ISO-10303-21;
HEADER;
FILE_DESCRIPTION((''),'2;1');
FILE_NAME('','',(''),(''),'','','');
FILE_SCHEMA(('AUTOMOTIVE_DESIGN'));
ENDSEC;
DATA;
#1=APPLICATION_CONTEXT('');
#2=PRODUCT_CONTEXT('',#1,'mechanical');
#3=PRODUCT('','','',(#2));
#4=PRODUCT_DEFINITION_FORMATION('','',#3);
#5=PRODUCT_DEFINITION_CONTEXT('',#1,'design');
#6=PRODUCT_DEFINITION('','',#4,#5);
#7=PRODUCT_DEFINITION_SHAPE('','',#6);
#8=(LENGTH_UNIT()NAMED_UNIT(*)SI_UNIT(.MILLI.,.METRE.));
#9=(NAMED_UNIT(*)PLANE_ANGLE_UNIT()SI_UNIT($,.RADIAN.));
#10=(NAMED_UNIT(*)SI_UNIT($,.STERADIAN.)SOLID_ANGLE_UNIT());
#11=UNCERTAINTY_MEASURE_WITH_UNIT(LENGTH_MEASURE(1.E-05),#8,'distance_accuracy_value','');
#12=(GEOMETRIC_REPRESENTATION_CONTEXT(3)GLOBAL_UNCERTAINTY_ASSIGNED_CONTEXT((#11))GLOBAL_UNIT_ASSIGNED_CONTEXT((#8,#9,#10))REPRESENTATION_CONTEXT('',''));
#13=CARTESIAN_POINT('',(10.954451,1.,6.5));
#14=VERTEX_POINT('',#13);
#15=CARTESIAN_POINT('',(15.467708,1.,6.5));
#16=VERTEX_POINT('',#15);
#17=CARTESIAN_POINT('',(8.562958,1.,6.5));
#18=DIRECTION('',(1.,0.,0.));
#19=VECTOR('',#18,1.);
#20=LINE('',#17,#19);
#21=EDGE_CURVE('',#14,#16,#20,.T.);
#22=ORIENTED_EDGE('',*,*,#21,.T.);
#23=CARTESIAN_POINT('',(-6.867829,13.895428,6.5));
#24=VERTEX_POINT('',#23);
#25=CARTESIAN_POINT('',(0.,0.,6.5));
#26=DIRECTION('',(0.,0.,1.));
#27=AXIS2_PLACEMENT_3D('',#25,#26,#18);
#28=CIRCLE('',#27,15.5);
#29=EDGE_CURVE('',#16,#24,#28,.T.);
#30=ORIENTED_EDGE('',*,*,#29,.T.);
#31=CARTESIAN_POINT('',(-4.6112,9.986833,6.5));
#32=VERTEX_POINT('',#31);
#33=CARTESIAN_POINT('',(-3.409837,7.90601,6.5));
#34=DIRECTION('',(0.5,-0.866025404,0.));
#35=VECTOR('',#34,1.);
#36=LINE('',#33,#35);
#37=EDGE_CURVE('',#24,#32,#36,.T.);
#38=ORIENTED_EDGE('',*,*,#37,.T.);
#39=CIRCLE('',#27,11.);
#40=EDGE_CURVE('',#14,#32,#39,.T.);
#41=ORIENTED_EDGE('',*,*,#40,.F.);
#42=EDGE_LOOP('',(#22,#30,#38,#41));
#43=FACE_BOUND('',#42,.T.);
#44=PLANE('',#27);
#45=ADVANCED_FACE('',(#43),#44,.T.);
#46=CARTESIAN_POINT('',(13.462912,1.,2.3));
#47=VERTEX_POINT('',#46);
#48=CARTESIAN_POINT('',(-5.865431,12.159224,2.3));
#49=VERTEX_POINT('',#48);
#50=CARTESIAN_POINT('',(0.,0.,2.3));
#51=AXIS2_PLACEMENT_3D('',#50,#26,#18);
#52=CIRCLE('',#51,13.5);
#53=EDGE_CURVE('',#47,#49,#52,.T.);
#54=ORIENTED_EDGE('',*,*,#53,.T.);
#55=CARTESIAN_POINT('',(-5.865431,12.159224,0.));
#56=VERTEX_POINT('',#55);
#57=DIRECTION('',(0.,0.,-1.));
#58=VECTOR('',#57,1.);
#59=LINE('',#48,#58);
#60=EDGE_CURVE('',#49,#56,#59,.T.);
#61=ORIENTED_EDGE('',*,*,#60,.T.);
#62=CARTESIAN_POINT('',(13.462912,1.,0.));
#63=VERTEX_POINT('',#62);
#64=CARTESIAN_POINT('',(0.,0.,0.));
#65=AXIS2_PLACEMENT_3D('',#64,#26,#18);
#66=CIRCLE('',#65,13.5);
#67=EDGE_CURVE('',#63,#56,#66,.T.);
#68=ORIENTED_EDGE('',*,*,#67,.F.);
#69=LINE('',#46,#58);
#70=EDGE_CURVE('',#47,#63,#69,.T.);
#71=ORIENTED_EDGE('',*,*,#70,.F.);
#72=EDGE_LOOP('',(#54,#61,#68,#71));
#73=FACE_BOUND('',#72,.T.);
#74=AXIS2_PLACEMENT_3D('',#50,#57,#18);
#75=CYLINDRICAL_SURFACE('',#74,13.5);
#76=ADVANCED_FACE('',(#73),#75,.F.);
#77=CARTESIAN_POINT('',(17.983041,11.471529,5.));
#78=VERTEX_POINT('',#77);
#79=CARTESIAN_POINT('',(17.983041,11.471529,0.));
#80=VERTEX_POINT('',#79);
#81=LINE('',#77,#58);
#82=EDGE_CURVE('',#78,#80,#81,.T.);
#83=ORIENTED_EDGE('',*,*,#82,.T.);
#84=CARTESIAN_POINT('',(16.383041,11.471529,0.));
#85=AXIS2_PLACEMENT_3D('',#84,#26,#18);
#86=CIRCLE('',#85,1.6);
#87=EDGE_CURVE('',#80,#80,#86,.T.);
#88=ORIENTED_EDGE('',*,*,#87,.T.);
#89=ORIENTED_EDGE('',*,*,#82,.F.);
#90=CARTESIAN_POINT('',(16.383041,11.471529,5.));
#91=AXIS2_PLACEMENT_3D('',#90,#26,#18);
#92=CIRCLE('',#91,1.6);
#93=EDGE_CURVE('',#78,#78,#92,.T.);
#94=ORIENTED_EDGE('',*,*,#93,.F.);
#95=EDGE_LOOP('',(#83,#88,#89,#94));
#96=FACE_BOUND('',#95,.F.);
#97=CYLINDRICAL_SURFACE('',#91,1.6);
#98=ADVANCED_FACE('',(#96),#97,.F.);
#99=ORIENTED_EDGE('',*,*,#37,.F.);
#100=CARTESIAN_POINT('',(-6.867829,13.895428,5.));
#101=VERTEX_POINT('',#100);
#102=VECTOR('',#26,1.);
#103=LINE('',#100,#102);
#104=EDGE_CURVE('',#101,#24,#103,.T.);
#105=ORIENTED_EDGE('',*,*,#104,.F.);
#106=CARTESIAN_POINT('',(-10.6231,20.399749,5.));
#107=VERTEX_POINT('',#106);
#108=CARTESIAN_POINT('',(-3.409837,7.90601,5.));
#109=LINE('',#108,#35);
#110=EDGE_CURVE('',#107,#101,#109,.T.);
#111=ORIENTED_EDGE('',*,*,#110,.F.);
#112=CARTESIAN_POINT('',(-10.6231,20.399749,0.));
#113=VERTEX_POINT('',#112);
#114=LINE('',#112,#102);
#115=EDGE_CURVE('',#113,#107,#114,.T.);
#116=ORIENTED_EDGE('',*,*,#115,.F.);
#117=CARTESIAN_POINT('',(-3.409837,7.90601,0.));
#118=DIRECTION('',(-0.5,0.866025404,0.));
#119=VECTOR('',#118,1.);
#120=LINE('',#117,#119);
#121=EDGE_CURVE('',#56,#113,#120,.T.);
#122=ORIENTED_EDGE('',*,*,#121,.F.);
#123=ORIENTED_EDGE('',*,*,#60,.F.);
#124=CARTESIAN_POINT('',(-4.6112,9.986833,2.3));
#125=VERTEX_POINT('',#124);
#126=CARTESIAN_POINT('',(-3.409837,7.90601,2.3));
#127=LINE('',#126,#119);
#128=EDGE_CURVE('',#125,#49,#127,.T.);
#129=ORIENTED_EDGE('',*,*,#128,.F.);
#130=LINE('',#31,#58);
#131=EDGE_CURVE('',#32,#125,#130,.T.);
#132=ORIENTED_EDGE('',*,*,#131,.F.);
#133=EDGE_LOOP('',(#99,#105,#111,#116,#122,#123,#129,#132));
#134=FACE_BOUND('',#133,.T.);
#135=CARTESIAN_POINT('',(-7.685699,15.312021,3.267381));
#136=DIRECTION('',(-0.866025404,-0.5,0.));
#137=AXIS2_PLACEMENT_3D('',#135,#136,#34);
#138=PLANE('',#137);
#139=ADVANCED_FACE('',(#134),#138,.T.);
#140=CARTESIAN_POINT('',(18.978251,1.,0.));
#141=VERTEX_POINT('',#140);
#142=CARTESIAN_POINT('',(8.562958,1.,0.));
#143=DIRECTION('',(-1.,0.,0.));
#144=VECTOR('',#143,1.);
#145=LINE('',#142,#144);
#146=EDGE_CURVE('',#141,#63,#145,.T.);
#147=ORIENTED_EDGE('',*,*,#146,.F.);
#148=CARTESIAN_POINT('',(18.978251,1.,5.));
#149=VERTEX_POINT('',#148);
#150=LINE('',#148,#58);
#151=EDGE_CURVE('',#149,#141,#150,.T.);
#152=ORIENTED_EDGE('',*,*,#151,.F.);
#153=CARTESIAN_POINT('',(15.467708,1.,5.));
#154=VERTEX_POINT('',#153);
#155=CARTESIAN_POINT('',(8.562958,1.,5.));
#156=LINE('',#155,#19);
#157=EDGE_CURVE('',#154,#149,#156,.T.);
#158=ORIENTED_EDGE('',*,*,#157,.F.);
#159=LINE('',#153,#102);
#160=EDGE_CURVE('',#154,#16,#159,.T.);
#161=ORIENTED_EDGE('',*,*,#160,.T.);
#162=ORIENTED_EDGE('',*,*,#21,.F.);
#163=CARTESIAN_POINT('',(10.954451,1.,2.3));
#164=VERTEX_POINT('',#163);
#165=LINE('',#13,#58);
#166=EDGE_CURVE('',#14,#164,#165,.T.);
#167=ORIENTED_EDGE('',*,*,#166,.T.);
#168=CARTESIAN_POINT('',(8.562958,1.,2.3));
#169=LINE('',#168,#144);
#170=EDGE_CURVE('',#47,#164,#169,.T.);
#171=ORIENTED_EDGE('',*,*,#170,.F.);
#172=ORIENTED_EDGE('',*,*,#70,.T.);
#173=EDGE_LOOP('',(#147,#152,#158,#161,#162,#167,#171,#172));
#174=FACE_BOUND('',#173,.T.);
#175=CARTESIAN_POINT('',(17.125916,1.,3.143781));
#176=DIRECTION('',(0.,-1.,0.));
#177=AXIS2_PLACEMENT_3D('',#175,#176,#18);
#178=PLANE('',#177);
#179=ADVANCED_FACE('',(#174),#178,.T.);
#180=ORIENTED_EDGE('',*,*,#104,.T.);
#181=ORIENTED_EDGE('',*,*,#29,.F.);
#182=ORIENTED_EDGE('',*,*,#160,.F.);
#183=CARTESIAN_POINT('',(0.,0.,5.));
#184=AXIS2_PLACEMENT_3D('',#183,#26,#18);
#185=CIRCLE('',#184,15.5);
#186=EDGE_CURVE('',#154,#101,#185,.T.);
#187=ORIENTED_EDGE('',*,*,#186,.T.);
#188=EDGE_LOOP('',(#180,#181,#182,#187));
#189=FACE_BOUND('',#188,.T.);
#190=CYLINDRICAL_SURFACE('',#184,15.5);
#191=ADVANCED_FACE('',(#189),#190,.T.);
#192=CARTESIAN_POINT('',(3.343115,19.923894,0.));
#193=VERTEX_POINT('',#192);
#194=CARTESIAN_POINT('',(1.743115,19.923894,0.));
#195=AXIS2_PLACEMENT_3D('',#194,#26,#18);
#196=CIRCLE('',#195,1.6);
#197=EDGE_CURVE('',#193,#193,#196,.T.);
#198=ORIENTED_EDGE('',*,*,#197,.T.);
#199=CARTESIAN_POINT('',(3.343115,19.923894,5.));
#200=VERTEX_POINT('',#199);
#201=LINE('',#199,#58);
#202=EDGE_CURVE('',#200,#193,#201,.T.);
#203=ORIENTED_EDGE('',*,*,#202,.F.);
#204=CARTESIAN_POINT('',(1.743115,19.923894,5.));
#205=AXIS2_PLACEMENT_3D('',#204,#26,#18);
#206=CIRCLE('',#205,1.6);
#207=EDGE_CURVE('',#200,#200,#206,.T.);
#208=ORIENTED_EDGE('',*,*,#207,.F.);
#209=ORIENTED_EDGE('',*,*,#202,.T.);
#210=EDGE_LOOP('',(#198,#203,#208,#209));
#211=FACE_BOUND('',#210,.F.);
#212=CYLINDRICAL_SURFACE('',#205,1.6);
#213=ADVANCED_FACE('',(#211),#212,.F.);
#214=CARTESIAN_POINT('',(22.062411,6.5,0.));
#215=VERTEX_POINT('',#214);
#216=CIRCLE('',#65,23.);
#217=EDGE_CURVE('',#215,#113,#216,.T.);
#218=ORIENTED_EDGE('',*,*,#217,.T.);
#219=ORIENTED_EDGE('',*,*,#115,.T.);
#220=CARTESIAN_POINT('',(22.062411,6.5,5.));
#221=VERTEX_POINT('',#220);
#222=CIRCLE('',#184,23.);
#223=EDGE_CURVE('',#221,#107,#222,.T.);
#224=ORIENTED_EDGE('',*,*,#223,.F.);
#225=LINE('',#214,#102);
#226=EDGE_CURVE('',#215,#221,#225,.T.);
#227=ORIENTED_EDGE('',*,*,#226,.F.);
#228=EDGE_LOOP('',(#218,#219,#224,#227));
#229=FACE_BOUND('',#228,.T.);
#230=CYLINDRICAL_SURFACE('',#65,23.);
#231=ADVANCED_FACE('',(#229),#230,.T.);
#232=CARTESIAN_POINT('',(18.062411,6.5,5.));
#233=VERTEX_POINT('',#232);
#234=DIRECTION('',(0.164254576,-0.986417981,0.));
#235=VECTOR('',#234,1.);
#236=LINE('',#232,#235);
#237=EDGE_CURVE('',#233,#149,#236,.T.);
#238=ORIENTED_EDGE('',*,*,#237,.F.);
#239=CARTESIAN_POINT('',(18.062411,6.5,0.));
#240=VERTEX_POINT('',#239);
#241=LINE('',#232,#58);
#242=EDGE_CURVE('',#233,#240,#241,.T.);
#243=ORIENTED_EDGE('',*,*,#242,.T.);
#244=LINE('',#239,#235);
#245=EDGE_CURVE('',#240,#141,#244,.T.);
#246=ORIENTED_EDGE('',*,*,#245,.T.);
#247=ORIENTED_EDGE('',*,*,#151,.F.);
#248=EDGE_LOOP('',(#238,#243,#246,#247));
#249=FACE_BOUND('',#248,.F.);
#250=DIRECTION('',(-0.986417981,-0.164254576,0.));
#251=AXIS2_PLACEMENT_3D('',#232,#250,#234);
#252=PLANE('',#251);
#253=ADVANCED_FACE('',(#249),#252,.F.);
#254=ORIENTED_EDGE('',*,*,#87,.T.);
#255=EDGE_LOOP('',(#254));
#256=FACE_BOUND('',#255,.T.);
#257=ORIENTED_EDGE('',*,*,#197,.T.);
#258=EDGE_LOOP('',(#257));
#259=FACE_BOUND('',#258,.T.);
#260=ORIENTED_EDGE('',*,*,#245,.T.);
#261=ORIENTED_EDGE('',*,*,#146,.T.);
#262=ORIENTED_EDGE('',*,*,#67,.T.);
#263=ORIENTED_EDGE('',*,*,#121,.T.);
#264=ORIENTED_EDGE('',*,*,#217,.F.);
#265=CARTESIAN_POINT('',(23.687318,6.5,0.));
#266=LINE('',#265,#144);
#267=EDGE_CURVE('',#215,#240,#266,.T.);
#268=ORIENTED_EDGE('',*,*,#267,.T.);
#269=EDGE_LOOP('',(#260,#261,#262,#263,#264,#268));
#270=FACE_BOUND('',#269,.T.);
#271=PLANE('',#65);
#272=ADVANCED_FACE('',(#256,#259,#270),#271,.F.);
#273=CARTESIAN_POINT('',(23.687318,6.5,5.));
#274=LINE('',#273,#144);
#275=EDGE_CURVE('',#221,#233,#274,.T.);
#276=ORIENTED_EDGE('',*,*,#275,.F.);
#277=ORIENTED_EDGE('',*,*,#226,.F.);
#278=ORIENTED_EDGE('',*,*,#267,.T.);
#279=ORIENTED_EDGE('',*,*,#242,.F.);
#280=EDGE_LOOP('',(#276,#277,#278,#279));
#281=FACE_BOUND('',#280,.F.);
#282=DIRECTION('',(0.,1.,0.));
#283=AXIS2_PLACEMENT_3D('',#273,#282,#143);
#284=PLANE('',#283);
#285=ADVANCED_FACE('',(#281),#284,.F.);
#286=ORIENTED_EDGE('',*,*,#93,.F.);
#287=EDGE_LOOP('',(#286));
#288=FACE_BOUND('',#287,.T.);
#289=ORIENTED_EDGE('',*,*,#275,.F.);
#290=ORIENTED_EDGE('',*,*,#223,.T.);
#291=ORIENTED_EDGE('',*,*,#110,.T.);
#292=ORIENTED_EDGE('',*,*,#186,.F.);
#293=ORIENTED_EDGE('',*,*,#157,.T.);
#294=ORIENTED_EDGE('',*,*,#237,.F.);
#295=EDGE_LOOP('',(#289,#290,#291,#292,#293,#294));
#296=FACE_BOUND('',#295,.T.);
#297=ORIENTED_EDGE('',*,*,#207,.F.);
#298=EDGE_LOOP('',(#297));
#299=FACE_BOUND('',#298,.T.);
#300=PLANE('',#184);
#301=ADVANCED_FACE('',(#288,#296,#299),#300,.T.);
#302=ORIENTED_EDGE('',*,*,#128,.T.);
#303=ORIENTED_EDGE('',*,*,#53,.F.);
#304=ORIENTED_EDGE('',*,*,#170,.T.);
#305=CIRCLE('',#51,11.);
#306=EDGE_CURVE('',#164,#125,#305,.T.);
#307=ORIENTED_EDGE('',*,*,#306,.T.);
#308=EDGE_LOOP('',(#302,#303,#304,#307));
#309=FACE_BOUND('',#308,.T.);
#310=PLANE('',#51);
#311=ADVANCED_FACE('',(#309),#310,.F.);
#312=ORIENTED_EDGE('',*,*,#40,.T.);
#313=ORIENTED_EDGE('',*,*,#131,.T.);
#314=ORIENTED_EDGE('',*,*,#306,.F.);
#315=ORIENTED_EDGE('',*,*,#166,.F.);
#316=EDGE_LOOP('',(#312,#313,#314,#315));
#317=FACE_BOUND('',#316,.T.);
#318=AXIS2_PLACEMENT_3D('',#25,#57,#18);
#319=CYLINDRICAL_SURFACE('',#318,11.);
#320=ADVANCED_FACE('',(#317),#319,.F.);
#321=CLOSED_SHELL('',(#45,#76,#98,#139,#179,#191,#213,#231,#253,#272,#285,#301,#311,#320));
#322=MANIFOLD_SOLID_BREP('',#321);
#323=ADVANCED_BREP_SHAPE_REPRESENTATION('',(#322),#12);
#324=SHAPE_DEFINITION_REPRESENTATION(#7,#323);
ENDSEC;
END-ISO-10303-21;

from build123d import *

# Parameters (mm, degrees)
F1_ANGLE  = 120
F2_R      = 1.6
F3_DEPTH  = 5
F6_W      = 12.938
F6_H      = 7.452
F7_DEPTH  = 1
F8_W      = 13.007
F8_H      = 7.97
F9_DEPTH  = 1
F11_DEPTH = 5


with BuildPart() as f1:
    # F0 (on Front) → F1 (revolve)
    with BuildSketch(Plane.XZ):
        Polygon((23, 5), (15.5, 5), (15.5, 6.5), (11, 6.5), (11, 2.3), (13.5, 2.3), (13.5, 0), (23, 0), align=None)
    revolve(axis=Axis((0, 0, 3.7848940119), (0, 0, 1)), revolution_arc=F1_ANGLE)

    # F2 (on face) → F3 (cut, through all)
    with BuildSketch(Plane.XY.offset(5)):
        with Locations((1.743114855, 19.9238939618)):
            Circle(F2_R)
        with Locations((16.3830408858, 11.471528727)):
            Circle(F2_R)
    extrude(amount=-F3_DEPTH, mode=Mode.SUBTRACT)

    # F6 (on offset) → F7 (cut, through all)
    with BuildSketch(Plane.XZ.offset(-1)):
        with Locations((17.1259158669, 3.1437808403)):
            Rectangle(F6_W, F6_H)
    extrude(amount=F7_DEPTH, mode=Mode.SUBTRACT)

    # F8 (on offset) → F9 (cut, through all)
    with BuildSketch(Plane(origin=(0.8660254038, 0.5, 0), x_dir=(0.5, -0.8660254038, 0), z_dir=(-0.8660254038, -0.5, 0))):
        with Locations((-17.1034485545, 3.2673813227)):
            Rectangle(F8_W, F8_H)
    extrude(amount=F9_DEPTH, mode=Mode.SUBTRACT)

    # F10 (on face) → F11 (cut, through all)
    with BuildSketch(Plane.XY.offset(5)):
        with BuildLine():
            Line((18.9782505862, 1), (22.9782505862, 1))
            ThreePointArc((22.9782505862, 1), (22.6876135739, 3.777855254), (22.0624114729, 6.5))
            Line((22.0624114729, 6.5), (18.0624114729, 6.5))
            Line((18.0624114729, 6.5), (18.9782505862, 1))
        make_face()
        with BuildLine():
            ThreePointArc((22.0624114729, 6.5), (22.6876135739, 3.777855254), (22.9782505862, 1))
            Line((22.9782505862, 1), (23.6873179674, 0.9982389165))
            Line((23.6873179674, 0.9982389165), (23.6873179674, 6.5))
            Line((23.6873179674, 6.5), (22.0624114729, 6.5))
        make_face()
    extrude(amount=-F11_DEPTH, mode=Mode.SUBTRACT)


solid = f1.part
